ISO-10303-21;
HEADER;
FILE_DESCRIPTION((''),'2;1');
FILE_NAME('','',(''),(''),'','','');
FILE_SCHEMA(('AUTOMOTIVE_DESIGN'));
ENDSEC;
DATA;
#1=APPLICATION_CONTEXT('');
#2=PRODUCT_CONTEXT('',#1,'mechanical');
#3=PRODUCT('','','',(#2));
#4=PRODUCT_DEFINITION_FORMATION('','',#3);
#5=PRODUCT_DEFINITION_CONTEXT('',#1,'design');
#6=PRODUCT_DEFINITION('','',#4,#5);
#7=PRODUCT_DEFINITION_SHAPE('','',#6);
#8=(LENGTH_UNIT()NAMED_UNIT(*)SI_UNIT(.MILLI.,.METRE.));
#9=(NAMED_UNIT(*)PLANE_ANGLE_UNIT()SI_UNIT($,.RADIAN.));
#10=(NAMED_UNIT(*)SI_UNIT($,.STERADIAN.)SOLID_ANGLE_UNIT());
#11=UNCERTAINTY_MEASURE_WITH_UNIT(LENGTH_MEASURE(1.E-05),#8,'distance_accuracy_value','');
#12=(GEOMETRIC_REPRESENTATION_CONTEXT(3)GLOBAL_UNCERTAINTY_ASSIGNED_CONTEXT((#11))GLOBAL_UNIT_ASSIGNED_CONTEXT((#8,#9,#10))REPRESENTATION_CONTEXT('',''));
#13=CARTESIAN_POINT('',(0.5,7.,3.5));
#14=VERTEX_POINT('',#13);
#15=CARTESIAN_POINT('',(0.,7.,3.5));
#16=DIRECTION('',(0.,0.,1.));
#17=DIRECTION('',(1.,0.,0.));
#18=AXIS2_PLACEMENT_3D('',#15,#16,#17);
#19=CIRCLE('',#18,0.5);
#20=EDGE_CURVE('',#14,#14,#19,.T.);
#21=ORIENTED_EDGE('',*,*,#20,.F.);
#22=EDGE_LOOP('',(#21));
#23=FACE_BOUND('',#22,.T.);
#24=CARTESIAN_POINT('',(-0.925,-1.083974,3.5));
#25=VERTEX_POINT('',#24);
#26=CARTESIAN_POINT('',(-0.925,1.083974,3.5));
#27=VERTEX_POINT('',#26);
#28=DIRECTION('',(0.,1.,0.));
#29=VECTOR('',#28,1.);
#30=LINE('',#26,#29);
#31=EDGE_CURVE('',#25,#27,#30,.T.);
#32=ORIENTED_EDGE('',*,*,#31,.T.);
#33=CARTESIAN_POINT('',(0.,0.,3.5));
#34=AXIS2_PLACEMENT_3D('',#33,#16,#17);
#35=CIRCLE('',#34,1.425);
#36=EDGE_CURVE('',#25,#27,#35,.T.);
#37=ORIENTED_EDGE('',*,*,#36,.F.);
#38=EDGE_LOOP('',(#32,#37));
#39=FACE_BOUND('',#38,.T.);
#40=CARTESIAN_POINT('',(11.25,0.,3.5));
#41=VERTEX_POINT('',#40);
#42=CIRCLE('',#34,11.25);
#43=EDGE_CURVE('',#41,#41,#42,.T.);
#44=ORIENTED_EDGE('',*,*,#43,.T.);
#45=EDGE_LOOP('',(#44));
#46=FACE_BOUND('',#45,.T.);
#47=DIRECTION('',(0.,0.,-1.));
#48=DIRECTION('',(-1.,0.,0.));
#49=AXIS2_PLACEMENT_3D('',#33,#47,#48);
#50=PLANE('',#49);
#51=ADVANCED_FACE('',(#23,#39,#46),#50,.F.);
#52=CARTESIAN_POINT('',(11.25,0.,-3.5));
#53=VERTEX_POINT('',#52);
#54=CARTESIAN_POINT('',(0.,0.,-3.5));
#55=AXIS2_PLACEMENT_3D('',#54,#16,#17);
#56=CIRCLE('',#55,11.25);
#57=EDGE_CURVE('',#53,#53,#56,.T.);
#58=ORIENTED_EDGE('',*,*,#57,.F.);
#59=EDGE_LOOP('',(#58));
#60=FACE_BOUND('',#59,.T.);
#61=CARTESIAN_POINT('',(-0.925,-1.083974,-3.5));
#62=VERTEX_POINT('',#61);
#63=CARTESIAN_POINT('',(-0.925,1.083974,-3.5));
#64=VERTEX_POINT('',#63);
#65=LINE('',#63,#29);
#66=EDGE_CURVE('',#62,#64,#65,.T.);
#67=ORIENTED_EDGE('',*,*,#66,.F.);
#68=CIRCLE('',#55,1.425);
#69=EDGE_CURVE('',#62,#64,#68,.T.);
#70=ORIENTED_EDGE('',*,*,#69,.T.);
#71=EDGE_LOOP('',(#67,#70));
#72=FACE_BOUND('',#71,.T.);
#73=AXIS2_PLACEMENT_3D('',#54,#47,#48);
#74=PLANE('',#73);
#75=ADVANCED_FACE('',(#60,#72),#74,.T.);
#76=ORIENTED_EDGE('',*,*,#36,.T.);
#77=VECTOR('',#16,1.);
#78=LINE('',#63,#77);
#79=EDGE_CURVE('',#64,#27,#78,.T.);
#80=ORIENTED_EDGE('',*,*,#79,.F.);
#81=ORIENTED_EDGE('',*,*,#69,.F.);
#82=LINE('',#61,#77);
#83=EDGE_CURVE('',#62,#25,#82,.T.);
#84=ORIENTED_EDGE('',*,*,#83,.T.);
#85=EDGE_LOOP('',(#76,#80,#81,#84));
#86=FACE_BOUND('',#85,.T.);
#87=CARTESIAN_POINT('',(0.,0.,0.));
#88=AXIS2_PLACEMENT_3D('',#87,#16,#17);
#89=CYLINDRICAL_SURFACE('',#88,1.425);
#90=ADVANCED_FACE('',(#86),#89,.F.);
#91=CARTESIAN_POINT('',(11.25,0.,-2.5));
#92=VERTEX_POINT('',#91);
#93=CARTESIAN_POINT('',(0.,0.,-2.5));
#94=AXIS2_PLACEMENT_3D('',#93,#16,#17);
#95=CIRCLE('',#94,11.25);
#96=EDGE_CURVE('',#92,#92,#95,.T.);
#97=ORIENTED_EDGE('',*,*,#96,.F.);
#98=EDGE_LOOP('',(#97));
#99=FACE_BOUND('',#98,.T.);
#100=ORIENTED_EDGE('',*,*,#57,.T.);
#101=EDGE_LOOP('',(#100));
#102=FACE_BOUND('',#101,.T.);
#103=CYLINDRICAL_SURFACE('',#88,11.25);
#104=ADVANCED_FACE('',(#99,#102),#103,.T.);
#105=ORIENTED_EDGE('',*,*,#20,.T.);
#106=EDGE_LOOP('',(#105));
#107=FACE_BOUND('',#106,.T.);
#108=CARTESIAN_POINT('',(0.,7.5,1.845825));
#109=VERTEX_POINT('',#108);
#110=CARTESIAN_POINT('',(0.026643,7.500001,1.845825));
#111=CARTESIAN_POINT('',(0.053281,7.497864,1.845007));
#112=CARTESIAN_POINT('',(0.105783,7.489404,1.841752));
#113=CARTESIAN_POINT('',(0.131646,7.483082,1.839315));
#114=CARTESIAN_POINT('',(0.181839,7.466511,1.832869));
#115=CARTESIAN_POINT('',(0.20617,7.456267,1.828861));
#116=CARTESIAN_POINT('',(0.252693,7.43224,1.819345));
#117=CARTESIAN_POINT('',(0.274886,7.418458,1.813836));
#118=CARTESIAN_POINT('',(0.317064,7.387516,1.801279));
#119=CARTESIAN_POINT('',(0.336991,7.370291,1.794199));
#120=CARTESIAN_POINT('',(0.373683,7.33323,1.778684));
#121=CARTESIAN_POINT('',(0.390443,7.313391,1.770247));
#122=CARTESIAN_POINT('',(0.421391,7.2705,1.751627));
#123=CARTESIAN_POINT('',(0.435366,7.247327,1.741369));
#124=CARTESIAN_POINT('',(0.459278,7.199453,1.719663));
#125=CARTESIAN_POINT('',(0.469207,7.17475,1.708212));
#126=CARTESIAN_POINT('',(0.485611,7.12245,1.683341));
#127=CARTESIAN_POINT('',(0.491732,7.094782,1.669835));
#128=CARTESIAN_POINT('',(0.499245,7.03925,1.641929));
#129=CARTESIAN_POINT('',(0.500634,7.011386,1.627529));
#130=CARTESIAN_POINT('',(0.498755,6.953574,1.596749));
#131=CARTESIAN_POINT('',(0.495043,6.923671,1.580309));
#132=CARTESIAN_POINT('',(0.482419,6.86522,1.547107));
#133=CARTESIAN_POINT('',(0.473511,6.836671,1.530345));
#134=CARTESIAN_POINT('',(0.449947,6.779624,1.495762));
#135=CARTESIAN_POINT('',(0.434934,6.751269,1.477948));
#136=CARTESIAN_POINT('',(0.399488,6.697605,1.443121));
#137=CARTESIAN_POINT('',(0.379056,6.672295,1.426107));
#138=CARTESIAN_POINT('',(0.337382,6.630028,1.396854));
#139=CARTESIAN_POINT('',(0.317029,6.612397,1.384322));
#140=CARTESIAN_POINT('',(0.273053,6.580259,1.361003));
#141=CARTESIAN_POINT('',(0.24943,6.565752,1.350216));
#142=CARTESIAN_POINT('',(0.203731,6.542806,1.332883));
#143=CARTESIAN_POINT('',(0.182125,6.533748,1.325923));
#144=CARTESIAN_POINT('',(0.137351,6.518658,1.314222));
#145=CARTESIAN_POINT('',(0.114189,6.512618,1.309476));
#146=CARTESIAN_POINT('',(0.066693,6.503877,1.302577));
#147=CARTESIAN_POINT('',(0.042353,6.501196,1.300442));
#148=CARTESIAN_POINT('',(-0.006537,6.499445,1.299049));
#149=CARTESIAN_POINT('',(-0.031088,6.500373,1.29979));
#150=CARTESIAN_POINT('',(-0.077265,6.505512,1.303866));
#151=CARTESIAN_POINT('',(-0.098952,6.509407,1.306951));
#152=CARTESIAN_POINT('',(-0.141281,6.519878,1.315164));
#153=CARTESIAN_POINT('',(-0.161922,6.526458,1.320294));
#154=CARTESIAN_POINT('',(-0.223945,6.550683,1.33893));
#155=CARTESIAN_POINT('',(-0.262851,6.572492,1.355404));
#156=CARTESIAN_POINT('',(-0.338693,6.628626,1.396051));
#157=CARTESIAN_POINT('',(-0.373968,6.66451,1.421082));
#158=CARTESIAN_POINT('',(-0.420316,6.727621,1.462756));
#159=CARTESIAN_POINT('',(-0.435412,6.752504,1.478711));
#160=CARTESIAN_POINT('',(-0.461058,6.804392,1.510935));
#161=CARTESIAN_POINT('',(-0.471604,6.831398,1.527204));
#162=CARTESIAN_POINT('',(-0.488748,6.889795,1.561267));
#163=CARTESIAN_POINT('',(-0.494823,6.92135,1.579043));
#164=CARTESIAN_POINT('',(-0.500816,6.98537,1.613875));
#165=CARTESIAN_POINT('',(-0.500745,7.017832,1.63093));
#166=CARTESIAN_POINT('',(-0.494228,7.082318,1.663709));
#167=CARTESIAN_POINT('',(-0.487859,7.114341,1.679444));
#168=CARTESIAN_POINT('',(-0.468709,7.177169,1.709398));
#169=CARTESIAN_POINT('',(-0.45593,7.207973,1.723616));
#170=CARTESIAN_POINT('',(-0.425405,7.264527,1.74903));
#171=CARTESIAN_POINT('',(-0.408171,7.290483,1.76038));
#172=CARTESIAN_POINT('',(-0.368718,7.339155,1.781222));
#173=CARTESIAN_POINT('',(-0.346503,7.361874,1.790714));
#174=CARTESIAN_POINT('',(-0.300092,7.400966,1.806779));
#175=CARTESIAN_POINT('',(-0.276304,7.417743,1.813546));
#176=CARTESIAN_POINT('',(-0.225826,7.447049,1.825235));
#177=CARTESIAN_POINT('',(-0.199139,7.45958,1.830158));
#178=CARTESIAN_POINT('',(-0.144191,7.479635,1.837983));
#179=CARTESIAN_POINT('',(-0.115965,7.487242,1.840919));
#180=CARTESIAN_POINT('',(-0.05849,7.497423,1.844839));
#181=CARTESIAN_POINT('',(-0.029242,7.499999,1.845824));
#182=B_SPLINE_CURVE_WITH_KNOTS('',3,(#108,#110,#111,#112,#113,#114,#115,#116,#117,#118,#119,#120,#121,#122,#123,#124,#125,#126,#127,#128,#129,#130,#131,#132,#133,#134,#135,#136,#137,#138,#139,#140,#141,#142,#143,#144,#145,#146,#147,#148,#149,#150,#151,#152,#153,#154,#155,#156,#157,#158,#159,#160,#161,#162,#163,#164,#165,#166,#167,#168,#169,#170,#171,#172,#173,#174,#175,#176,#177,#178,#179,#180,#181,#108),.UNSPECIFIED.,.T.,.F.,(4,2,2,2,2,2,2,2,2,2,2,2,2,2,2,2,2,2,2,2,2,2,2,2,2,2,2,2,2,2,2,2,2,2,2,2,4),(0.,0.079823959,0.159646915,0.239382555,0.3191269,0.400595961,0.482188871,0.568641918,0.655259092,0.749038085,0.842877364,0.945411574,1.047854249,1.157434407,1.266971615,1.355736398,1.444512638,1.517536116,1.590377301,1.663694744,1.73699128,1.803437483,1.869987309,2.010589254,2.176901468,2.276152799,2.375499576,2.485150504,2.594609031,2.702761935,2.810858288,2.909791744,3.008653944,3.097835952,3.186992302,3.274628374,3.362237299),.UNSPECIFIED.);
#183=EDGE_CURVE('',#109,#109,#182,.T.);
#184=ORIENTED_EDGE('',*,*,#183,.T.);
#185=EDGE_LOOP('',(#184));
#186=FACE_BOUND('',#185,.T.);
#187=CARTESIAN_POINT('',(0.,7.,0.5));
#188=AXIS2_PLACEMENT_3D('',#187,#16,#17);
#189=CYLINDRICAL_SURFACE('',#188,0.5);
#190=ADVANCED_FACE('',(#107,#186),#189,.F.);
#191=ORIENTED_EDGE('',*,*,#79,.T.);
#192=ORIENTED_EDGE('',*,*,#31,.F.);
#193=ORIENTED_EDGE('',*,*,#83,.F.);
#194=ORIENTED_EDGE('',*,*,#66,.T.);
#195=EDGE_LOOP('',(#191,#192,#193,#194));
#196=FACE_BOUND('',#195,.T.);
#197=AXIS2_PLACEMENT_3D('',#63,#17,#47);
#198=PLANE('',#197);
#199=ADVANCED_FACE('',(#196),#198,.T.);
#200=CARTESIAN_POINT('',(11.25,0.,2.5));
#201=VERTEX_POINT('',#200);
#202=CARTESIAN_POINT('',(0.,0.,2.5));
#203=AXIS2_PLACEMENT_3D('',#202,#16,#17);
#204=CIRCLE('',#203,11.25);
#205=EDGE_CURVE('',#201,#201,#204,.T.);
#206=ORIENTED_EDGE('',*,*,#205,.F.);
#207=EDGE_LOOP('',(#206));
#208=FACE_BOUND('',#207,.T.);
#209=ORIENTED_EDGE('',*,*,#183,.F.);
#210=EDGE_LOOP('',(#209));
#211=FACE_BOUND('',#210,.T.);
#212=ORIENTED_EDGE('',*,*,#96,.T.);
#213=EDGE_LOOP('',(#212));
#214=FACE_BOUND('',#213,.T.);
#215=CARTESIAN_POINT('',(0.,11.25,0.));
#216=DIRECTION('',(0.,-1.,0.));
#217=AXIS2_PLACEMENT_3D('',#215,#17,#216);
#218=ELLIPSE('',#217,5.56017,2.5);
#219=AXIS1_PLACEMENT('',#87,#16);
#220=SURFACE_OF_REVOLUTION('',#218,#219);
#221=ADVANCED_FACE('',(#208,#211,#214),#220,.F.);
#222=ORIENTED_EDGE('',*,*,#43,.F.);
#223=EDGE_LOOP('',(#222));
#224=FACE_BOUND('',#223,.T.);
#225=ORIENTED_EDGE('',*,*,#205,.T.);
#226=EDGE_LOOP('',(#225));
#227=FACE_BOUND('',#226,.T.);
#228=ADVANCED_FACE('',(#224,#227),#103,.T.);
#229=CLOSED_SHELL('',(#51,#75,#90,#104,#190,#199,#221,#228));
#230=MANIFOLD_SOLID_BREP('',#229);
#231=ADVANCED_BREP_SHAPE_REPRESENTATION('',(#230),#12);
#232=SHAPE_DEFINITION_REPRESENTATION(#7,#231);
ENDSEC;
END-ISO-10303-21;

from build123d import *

# Parameters (mm, degrees)
BOSS_EXTRUDE1_START = -7
BOSS_EXTRUDE1_DEPTH = 7
SKETCH8_R           = 0.5
CUT_EXTRUDE1_DEPTH  = 3


with BuildPart() as part:
    # Sketch4 → Revolve1 (revolve)
    with BuildSketch(Plane(origin=(0, 0, 0), x_dir=(0, 0, -1), z_dir=(1, 0, 0)), mode=Mode.PRIVATE) as revolve1_sk:
        with BuildLine():
            Line((-2.5, 11.25), (-3.5, 11.25))
            Line((-3.5, 11.25), (-3.5, 1.425))
            Line((-3.5, 1.425), (3.5, 1.425))
            Line((3.5, 1.425), (3.5, 11.25))
            Line((3.5, 11.25), (2.5, 11.25))
            add(Edge.make_bspline(
                [(0, 5.689829973), (2.5, 5.689829973), (2.5, 11.25)],
                knots=[0, 0, 0, 1.570796327, 1.570796327, 1.570796327], degree=2, weights=[1, 0.707106781, 1]))
            add(Edge.make_bspline(
                [(-2.5, 11.25), (-2.5, 5.689829973), (0, 5.689829973)],
                knots=[4.71238898, 4.71238898, 4.71238898, 6.283185307, 6.283185307, 6.283185307], degree=2, weights=[1, 0.707106781, 1]))
        make_face()
    revolve(revolve1_sk.sketch.rotate(Axis((0, 0, 0), (0, 0, -1)), 90), axis=Axis((0, 0, 0), (0, 0, -1)))

    # Sketch7 → Boss-Extrude1 (add)
    with BuildSketch(Plane.XY.offset(3.5).offset(BOSS_EXTRUDE1_START)):
        with BuildLine():
            Line((-0.925, 1.083974169), (-0.925, -1.083974169))
            ThreePointArc((-0.925, -1.083974169), (-1.425, 0), (-0.925, 1.083974169))
        make_face()
    extrude(amount=BOSS_EXTRUDE1_DEPTH)

    # Sketch8 → Cut-Extrude1 (cut)
    with BuildSketch(Plane.XY.offset(3.5)):
        with Locations((0, 7)):
            Circle(SKETCH8_R)
    extrude(amount=-CUT_EXTRUDE1_DEPTH, mode=Mode.SUBTRACT)


solid = part.part
